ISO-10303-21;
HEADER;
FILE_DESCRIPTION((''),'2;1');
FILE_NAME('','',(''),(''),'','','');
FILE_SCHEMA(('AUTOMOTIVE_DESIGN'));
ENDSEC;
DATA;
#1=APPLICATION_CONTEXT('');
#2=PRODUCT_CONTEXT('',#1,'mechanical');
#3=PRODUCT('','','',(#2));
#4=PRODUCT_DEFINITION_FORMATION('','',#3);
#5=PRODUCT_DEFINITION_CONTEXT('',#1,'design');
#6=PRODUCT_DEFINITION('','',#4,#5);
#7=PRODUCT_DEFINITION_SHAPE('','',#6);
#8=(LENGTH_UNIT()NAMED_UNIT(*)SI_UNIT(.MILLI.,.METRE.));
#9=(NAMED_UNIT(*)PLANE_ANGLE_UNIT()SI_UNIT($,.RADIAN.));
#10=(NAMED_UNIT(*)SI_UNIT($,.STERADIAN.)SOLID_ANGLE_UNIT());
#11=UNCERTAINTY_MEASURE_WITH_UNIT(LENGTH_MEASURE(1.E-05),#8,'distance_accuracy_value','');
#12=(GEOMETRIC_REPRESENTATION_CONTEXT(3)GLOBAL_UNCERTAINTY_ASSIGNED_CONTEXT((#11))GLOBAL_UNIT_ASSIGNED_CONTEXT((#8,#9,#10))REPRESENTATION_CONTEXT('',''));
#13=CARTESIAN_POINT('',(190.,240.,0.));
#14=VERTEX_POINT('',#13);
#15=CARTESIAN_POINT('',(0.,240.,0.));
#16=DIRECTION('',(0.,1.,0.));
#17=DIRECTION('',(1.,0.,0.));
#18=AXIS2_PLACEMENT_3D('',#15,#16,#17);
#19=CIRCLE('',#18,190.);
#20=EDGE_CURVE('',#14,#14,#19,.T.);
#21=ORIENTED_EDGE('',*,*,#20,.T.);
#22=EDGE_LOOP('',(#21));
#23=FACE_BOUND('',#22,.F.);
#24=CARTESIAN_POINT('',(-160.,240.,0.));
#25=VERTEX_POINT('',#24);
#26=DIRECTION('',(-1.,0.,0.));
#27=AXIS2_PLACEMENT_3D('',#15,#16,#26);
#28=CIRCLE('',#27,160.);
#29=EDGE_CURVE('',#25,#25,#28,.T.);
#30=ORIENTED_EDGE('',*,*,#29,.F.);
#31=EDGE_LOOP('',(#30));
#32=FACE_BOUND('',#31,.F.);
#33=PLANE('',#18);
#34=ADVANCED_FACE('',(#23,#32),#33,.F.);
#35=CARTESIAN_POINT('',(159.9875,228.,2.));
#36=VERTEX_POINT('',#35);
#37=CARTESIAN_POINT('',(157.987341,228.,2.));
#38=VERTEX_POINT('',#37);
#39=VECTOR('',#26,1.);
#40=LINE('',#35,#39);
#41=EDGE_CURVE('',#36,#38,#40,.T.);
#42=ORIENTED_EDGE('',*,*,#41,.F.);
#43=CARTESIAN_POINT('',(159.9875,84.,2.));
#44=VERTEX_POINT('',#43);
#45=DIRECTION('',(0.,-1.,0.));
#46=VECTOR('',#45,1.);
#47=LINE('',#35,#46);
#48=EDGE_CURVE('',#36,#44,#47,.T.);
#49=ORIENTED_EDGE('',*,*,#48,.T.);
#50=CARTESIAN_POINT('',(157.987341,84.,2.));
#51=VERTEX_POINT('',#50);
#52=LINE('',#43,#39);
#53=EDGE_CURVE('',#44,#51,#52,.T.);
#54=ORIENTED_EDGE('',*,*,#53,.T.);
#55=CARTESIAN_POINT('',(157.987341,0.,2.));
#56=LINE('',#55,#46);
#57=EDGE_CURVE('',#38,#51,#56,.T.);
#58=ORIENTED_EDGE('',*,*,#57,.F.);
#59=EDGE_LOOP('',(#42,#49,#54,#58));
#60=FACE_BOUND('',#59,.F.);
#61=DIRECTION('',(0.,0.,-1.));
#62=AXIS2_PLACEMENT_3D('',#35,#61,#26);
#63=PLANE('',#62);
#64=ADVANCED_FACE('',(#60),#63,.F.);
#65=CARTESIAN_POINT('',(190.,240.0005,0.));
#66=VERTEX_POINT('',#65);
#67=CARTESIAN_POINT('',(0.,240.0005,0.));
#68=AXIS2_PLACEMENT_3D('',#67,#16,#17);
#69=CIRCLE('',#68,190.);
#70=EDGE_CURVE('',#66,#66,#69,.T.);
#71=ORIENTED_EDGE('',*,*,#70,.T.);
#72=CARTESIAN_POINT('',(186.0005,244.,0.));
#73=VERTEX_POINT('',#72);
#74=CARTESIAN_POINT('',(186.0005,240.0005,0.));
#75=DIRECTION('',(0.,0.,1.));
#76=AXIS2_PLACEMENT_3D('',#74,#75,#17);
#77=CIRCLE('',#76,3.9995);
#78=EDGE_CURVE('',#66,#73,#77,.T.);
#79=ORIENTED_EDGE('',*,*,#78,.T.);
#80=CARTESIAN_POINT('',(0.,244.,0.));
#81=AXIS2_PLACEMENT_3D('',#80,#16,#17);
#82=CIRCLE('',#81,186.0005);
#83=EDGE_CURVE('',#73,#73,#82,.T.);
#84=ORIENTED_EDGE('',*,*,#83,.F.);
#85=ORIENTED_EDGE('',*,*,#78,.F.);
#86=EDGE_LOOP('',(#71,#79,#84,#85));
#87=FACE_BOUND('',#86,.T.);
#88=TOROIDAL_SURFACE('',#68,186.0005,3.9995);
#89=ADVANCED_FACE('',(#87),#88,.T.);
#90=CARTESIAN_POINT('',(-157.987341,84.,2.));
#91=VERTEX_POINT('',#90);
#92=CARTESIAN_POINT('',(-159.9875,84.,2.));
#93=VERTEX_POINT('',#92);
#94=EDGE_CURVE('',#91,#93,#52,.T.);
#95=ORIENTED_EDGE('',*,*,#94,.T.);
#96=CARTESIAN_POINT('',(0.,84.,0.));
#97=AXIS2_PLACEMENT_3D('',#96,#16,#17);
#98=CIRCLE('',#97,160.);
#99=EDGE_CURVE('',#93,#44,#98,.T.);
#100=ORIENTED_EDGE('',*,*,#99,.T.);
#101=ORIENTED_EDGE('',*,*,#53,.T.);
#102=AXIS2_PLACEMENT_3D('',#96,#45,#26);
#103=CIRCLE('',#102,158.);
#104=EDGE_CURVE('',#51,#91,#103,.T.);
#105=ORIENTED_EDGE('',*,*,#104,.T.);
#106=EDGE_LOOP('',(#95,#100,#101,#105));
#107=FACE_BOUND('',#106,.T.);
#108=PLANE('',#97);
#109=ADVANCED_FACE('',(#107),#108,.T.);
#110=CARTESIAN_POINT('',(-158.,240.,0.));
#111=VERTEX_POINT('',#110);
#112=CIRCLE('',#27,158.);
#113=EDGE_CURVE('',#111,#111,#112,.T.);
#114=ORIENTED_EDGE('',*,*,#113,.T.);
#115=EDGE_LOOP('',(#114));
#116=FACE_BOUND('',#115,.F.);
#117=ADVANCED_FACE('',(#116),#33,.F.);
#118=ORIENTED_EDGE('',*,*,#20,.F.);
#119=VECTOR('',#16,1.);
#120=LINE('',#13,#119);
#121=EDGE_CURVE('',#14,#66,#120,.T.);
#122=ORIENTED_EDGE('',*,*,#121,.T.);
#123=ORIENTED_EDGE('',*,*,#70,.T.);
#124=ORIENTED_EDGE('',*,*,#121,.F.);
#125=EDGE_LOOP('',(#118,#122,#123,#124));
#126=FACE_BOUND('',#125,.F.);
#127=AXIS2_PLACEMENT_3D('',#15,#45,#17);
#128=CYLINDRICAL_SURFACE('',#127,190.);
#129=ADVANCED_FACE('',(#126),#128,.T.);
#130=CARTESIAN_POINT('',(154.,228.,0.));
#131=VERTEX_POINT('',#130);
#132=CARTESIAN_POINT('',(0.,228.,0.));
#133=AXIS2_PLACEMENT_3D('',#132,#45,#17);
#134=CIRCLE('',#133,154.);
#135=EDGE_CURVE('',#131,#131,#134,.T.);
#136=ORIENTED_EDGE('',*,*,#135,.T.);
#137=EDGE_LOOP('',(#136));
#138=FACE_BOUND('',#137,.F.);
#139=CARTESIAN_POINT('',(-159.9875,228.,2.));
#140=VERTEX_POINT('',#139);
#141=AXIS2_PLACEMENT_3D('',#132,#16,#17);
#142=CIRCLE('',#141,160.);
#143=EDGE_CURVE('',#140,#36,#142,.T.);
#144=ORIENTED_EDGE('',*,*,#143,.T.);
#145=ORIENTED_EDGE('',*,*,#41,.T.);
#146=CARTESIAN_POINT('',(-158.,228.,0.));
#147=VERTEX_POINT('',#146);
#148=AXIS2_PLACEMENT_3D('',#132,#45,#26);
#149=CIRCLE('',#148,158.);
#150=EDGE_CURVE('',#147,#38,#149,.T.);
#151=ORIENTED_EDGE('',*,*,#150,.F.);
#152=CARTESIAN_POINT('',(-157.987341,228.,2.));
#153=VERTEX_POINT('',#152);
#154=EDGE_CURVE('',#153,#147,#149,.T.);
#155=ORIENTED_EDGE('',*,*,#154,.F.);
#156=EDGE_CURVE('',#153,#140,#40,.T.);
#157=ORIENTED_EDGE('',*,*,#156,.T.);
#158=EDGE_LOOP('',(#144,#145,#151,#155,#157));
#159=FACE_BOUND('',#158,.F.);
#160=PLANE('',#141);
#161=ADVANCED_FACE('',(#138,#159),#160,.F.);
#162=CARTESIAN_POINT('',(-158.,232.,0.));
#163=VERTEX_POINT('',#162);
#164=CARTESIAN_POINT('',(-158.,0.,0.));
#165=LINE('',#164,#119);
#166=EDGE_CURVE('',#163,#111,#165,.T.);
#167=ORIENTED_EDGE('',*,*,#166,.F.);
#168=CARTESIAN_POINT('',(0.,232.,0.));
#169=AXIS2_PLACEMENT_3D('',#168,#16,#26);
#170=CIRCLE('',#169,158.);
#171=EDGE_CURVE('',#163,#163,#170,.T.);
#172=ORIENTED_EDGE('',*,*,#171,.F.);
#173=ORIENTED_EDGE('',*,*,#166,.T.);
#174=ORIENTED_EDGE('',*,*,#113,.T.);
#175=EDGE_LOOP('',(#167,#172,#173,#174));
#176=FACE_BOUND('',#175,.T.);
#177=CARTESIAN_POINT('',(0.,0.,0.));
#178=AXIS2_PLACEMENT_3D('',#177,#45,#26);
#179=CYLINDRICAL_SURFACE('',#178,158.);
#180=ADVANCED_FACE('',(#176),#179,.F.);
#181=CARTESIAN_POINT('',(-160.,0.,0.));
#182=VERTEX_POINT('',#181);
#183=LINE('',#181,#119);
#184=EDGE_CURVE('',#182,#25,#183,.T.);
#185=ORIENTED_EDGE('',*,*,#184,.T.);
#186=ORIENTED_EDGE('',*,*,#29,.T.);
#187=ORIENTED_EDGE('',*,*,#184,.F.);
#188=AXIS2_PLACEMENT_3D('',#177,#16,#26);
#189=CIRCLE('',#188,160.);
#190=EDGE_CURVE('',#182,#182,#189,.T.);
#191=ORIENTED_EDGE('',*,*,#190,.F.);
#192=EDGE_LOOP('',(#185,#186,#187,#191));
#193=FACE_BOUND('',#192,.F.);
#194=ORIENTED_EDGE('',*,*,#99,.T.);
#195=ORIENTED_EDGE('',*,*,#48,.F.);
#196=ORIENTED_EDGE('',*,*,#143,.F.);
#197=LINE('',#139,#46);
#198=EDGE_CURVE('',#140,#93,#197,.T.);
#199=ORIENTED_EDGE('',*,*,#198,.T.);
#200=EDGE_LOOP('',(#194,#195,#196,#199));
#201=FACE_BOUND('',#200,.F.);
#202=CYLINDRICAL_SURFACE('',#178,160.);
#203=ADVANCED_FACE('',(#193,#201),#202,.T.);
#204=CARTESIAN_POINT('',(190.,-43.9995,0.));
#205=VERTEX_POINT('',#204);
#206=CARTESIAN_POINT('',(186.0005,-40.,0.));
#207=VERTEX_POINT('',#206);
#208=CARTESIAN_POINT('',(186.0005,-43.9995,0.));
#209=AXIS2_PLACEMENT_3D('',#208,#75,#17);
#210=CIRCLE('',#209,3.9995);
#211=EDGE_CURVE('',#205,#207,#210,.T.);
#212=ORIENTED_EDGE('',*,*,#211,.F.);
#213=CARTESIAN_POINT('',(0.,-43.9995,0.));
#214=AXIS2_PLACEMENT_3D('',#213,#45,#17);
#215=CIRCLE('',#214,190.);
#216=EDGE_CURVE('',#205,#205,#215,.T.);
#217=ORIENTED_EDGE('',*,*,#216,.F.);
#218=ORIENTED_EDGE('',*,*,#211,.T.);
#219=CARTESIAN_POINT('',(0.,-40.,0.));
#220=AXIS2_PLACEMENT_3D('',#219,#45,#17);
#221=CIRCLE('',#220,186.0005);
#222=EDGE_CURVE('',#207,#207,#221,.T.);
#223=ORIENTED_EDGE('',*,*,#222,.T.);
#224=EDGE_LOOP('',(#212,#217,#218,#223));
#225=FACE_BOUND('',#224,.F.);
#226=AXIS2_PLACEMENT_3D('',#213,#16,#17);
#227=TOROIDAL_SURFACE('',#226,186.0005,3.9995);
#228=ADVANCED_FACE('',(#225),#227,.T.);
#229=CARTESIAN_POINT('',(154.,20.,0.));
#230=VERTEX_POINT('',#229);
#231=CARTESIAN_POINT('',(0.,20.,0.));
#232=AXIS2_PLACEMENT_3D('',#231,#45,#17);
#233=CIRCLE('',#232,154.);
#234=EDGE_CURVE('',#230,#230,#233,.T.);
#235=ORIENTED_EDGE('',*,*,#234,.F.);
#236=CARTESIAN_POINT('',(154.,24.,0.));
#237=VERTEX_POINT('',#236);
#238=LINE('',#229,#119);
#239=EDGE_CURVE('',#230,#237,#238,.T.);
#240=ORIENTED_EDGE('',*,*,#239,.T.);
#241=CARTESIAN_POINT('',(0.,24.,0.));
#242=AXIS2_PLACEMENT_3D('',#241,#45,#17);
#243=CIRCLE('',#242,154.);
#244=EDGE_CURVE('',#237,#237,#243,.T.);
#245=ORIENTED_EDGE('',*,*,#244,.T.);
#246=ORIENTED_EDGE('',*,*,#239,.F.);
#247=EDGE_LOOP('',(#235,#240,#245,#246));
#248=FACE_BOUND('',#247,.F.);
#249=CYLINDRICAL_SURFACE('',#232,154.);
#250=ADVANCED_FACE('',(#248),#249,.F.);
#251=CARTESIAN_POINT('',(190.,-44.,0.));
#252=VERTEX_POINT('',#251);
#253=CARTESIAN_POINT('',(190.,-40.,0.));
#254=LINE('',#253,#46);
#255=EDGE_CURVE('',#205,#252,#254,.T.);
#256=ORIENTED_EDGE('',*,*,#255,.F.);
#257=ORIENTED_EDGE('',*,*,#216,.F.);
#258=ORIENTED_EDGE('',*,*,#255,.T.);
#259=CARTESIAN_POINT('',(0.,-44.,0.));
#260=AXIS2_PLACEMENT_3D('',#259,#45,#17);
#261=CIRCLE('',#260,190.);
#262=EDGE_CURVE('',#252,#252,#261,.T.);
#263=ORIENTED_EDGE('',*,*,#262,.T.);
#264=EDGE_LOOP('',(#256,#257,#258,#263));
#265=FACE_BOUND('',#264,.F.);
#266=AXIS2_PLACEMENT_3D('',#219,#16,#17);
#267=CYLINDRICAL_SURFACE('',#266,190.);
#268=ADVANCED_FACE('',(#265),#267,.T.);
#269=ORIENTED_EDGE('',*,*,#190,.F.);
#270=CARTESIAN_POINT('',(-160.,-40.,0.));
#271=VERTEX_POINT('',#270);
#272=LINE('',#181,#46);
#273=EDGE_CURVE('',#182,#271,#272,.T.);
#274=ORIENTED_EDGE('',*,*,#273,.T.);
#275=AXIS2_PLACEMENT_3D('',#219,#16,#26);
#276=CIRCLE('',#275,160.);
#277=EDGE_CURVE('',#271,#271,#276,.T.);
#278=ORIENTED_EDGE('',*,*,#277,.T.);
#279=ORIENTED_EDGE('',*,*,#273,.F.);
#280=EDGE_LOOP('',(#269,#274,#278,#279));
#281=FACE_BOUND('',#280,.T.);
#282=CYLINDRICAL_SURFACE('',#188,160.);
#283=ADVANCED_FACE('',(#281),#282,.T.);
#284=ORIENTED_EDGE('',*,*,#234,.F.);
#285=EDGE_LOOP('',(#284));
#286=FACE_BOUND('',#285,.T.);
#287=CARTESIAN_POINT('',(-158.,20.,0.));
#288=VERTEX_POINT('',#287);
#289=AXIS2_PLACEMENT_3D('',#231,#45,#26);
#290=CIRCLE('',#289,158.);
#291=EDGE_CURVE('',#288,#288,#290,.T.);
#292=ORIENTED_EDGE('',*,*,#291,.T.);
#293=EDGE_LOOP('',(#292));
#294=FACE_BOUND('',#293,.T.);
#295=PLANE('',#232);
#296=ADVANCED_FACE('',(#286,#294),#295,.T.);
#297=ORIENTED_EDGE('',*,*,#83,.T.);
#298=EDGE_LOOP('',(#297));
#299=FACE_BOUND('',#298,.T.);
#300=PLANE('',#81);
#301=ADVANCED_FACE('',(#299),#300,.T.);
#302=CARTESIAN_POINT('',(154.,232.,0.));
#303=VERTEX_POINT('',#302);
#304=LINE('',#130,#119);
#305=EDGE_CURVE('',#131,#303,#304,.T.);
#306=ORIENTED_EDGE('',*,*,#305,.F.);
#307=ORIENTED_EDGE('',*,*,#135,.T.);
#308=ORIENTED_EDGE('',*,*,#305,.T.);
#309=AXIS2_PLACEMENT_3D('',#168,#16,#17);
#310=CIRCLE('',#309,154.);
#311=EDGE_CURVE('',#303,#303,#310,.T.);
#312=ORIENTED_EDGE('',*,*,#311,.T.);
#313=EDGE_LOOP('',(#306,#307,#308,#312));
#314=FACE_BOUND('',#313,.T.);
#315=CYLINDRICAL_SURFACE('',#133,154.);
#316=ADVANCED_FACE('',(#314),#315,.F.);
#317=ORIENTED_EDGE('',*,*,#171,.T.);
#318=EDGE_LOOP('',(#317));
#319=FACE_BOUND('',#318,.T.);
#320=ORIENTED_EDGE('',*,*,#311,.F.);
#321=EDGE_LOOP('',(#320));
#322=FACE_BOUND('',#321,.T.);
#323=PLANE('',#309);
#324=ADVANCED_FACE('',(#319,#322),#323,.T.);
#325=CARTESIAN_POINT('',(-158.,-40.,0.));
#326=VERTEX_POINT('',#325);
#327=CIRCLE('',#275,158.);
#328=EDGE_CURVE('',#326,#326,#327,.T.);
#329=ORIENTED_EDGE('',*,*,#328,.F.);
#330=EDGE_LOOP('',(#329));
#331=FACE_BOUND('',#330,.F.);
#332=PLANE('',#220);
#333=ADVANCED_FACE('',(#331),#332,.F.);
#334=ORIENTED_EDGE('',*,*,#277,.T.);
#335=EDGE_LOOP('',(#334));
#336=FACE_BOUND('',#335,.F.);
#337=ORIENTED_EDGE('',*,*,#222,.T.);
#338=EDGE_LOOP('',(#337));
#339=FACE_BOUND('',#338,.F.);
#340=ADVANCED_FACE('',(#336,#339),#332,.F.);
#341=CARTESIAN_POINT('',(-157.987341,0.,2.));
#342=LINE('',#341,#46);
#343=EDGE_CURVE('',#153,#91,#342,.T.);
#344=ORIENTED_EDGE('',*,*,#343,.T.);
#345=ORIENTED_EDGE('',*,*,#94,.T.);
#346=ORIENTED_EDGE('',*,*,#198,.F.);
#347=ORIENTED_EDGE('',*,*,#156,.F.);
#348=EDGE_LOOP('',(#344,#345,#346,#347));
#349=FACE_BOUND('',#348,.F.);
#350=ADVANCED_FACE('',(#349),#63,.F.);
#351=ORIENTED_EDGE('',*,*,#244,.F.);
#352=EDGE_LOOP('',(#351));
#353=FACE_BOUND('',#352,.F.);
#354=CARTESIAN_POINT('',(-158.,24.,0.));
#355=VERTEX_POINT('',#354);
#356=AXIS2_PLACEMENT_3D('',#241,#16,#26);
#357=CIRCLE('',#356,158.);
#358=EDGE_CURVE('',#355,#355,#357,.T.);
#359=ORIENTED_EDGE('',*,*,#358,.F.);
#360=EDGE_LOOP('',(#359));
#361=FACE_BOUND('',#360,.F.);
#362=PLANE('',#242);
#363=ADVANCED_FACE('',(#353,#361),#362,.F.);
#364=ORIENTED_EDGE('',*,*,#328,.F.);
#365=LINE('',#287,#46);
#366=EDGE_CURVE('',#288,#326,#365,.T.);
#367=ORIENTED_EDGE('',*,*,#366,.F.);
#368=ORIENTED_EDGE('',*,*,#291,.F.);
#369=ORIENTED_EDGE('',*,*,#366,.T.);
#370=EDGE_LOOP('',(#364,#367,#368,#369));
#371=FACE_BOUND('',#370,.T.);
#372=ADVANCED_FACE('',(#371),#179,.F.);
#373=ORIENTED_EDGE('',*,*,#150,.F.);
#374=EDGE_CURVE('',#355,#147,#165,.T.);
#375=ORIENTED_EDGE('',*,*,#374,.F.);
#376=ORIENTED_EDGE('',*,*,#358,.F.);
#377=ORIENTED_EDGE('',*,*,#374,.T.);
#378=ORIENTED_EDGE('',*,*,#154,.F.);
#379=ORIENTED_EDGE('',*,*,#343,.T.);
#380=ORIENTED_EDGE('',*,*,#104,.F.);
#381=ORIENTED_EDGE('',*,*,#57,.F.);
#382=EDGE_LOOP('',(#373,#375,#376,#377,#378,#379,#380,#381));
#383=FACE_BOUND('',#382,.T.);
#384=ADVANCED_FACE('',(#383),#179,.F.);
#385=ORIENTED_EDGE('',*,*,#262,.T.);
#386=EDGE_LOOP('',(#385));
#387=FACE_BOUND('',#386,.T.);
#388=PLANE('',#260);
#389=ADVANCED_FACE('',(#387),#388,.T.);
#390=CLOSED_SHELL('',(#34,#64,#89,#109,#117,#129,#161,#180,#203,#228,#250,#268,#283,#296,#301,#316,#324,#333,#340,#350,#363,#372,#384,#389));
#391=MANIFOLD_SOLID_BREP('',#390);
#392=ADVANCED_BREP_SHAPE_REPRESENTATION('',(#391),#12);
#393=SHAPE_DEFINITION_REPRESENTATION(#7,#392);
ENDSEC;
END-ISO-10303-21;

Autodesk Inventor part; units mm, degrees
ref_plane "YZ Plane" through (0, 0, 0) normal (1, 0, 0) x (0, 1, 0)
sketch "Sketch1" plane through (0, 0, 0) normal (0, 1, 0) x (-1, 0, 0)
  circle A0 centre (0, 0) radius 158
  circle A1 centre (0, 0) radius 160
  dimension "d0" = 316
  dimension "d1" = 320
extrude "Extrusion1" add sketch "Sketch1" along normal blind 240 and the other way blind 40
ref_plane "Work Plane1" through (0, 20, 0) normal (0, -1, 0) x (1, 0, 0)
sketch "Sketch3" plane through (0, 20, 0) normal (0, -1, 0) x (1, 0, 0)
  circle A0 centre (0, 0) radius 158
  circle A1 centre (0, 0) radius 154
  dimension "d8" = 308
  dimension "d16" = 316
extrude "Extrusion3" add sketch "Sketch3" against normal blind 4
ref_plane "Work Plane2" through (0, 228, 0) normal (0, 1, 0) x (1, 0, 0)
sketch "Sketch4" plane through (0, 228, 0) normal (0, 1, 0) x (1, 0, 0)
  circle A0 centre (0, 0) radius 158
  circle A1 centre (0, 0) radius 154
  dimension "d12" = 316
  dimension "d13" = 308
extrude "Extrusion4" add sketch "Sketch4" along normal blind 4
sketch "Sketch5" plane through (0, 228, 0) normal (0, 1, 0) x (1, 0, 0)
  line L0 (159.9875, -2) -> (-159.9875, -2)
  circle A0 centre (0, 0) radius 160 projected
  arc A1 (-159.9875, -2) -> (159.9875, -2) centre (0, 0) ccw
  dimension "d17" = 2
extrude "Extrusion5" cut sketch "Sketch5" against normal blind 144 contours A0 L0 picked at (22.9687, -49.4673)
sketch "Sketch6" plane through (0, 240, 0) normal (0, 1, 0) x (1, 0, 0)
  circle A0 centre (0, 0) radius 190
  dimension "d22" = 380
extrude "Extrusion6" add sketch "Sketch6" along normal blind 4
fillet "Fillet1" radius 4 1 edges at (-190, 244, 0)
sketch "Sketch7" plane through (0, -40, 0) normal (0, -1, 0) x (1, 0, 0)
  circle A0 centre (0, 0) radius 190
  dimension "d26" = 380
extrude "Extrusion7" add sketch "Sketch7" along normal blind 4
fillet "Fillet2" radius 4 1 edges at (-190, -40, 0)
properties part number "OuterCover" material "Aluminum 6061"
